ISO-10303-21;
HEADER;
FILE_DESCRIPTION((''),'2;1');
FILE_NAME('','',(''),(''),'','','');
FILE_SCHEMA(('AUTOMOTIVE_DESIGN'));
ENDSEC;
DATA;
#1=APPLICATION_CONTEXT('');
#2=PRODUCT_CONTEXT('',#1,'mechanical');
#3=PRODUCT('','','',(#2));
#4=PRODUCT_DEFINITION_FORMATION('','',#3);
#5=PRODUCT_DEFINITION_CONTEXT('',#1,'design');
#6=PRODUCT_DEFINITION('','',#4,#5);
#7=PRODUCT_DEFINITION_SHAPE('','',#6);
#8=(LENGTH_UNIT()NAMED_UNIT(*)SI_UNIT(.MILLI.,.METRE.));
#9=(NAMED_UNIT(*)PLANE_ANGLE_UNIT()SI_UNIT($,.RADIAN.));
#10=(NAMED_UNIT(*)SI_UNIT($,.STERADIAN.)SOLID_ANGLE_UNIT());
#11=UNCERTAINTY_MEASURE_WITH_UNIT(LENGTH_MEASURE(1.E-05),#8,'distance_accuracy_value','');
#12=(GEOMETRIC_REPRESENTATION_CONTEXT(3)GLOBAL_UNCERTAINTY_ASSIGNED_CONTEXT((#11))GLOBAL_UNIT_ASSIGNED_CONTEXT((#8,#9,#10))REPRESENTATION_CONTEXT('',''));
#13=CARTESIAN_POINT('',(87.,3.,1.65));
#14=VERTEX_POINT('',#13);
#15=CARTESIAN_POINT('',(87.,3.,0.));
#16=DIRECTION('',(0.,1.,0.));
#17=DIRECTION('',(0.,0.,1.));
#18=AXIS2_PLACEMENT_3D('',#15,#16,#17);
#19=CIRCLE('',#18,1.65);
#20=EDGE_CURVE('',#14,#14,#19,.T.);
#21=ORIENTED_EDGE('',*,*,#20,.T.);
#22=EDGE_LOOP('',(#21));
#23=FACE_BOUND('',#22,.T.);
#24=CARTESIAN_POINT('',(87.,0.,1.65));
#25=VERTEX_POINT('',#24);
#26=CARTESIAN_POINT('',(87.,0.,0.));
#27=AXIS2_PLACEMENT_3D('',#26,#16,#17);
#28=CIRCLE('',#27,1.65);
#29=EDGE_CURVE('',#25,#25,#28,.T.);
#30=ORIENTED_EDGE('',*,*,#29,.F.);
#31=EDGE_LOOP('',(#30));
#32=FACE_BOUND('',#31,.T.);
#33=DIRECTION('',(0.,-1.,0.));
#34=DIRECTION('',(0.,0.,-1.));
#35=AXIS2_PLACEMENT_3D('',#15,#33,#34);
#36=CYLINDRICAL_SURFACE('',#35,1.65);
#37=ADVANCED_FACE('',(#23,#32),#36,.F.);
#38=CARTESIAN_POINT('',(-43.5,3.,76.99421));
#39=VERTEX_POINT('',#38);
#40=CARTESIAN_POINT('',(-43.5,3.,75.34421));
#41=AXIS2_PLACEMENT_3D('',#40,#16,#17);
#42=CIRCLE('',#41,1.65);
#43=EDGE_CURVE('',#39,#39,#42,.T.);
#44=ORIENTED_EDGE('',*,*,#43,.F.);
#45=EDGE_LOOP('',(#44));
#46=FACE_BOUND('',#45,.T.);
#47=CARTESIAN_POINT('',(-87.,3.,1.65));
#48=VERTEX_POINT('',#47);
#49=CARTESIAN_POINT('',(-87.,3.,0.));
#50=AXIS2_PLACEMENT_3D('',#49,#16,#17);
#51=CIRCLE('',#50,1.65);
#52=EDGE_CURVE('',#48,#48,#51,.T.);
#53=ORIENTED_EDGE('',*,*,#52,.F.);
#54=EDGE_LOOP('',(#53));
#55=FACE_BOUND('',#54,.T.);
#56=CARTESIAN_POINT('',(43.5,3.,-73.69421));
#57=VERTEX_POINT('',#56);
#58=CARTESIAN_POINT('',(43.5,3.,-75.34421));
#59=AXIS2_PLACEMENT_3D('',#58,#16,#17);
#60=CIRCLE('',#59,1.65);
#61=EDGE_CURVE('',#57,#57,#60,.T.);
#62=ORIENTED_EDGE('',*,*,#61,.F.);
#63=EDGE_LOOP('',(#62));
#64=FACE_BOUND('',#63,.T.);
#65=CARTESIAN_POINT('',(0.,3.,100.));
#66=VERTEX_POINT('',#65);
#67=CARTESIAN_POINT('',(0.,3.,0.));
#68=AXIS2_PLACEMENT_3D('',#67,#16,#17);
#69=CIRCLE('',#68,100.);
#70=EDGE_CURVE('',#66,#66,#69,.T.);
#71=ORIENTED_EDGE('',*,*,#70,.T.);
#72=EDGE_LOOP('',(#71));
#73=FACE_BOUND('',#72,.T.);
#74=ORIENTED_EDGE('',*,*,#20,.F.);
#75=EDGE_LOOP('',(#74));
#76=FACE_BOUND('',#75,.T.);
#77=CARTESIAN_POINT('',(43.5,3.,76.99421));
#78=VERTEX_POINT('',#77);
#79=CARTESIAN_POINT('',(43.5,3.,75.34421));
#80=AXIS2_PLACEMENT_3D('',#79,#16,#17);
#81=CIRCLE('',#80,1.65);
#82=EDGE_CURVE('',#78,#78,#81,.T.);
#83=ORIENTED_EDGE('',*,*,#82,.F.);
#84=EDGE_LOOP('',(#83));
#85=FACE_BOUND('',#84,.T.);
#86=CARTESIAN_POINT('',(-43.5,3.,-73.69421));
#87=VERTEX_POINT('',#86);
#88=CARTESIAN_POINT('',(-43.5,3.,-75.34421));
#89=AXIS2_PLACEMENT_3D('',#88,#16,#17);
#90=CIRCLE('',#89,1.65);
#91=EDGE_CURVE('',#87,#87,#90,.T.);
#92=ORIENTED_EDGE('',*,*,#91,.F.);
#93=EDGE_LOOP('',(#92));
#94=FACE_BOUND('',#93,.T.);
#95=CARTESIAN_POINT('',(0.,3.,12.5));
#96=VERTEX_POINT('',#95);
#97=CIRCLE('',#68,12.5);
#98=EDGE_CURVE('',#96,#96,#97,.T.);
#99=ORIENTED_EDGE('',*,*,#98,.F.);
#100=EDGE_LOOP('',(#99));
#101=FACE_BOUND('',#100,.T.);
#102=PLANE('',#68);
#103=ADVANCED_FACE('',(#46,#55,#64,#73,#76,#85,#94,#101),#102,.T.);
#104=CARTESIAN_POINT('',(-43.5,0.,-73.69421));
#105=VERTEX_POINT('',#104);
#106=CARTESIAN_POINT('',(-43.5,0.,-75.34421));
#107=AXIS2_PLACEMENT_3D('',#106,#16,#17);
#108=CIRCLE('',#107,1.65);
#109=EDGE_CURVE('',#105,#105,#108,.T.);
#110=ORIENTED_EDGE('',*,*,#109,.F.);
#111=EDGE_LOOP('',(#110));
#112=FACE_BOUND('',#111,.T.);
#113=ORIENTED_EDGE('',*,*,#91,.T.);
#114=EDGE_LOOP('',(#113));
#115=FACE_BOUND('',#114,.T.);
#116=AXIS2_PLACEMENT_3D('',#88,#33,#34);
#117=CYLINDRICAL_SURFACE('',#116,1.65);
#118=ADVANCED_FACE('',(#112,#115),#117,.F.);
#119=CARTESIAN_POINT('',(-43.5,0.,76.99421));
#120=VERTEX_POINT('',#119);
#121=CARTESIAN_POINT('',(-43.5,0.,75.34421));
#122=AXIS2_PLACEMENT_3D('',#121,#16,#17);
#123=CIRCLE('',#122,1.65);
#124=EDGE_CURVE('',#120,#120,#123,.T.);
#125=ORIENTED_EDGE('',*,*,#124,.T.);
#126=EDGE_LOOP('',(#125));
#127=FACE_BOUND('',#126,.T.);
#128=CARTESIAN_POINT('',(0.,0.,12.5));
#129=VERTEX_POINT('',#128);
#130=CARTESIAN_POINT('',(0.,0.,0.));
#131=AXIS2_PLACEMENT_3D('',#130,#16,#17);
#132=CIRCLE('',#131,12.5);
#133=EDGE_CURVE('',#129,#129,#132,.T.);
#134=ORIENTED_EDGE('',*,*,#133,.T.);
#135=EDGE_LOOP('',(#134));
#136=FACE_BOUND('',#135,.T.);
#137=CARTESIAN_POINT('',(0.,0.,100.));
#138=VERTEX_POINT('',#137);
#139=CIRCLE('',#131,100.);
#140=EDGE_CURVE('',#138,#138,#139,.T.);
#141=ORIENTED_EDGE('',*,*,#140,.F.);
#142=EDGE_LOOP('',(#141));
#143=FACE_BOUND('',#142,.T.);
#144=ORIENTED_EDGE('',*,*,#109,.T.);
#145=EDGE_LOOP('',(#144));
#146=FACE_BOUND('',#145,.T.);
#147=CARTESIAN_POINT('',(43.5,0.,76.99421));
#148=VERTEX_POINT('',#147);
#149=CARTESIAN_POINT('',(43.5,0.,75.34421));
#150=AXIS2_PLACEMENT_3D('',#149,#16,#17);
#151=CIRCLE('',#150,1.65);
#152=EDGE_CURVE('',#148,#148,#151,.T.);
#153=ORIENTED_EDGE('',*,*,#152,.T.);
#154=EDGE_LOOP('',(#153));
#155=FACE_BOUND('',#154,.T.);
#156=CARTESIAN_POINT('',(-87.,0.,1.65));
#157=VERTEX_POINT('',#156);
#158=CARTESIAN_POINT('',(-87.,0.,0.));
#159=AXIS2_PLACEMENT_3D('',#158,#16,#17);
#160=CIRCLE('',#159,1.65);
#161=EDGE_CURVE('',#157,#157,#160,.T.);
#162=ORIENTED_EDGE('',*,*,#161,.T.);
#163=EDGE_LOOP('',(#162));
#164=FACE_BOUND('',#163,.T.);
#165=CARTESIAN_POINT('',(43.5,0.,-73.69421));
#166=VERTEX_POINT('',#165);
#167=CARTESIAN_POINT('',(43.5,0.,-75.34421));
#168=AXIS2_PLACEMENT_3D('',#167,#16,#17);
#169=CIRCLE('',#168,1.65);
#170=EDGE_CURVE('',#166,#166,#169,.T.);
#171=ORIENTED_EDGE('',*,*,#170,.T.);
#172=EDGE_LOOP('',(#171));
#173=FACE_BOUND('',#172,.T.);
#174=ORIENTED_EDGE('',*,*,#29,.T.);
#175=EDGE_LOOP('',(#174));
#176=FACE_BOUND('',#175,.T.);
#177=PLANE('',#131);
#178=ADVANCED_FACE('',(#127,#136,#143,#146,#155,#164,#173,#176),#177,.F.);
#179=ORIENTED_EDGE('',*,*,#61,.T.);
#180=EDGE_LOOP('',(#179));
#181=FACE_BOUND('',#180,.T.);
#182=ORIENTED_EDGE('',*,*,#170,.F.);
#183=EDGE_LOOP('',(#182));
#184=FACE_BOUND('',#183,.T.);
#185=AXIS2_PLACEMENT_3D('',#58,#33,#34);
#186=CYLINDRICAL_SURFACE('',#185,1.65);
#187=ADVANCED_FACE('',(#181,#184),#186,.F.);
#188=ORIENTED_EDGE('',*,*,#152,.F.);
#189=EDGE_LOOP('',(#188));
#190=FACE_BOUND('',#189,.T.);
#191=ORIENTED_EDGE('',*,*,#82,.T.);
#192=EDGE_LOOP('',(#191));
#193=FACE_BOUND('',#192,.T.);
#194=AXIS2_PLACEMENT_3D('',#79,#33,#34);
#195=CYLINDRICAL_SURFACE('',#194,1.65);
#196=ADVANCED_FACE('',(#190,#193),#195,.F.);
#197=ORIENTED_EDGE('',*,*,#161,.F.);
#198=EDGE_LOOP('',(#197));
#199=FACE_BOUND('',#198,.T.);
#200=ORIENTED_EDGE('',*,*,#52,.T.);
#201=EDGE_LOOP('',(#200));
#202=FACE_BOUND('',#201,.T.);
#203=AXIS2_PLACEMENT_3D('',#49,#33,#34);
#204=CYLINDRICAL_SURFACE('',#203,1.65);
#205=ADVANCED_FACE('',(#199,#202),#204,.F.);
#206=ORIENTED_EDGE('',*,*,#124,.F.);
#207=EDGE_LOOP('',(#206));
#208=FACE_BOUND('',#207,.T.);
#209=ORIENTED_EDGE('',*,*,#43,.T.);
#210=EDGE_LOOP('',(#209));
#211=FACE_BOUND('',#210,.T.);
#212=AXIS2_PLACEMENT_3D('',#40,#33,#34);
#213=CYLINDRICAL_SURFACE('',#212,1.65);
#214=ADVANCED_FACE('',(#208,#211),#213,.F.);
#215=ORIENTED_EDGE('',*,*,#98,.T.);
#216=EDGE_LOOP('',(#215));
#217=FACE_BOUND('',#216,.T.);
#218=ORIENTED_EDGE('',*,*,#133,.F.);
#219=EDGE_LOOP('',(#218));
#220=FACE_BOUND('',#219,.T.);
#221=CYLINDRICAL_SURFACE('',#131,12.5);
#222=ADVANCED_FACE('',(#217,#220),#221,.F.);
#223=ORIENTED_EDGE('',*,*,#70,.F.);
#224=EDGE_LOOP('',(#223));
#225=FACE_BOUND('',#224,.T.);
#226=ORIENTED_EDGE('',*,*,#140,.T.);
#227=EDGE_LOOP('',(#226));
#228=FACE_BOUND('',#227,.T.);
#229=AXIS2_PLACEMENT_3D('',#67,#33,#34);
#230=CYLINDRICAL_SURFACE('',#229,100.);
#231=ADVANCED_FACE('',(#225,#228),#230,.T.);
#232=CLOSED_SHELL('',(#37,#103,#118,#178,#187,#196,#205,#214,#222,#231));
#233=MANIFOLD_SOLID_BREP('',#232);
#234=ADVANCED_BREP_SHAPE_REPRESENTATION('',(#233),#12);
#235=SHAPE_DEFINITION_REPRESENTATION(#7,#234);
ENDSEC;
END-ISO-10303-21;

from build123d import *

# Parameters (mm, degrees)
SKETCH1_R           = 100
SKETCH1_R_2         = 1.65
BOSS_EXTRUDE1_DEPTH = 3
SKETCH2_R           = 12.5
CUT_EXTRUDE1_DEPTH  = 4


with BuildPart() as part:
    # Sketch1 → Boss-Extrude1 (new body)
    with BuildSketch(Plane(origin=(0, 0, 0), x_dir=(1, 0, 0), z_dir=(0, 1, 0))):
        Circle(SKETCH1_R)
        with Locations((-87, 0)):
            Circle(SKETCH1_R_2, mode=Mode.SUBTRACT)
        with Locations((-43.5, 75.344210129)):
            Circle(SKETCH1_R_2, mode=Mode.SUBTRACT)
        with Locations((43.5, 75.344210129)):
            Circle(SKETCH1_R_2, mode=Mode.SUBTRACT)
        with Locations((87, 0)):
            Circle(SKETCH1_R_2, mode=Mode.SUBTRACT)
        with Locations((43.5, -75.344210129)):
            Circle(SKETCH1_R_2, mode=Mode.SUBTRACT)
        with Locations((-43.5, -75.344210129)):
            Circle(SKETCH1_R_2, mode=Mode.SUBTRACT)
    extrude(amount=BOSS_EXTRUDE1_DEPTH)

    # Sketch2 → Cut-Extrude1 (cut, through all)
    with BuildSketch(Plane(origin=(0, 3, 0), x_dir=(1, 0, 0), z_dir=(0, 1, 0))):
        Circle(SKETCH2_R)
    extrude(amount=-CUT_EXTRUDE1_DEPTH, mode=Mode.SUBTRACT)


solid = part.part
